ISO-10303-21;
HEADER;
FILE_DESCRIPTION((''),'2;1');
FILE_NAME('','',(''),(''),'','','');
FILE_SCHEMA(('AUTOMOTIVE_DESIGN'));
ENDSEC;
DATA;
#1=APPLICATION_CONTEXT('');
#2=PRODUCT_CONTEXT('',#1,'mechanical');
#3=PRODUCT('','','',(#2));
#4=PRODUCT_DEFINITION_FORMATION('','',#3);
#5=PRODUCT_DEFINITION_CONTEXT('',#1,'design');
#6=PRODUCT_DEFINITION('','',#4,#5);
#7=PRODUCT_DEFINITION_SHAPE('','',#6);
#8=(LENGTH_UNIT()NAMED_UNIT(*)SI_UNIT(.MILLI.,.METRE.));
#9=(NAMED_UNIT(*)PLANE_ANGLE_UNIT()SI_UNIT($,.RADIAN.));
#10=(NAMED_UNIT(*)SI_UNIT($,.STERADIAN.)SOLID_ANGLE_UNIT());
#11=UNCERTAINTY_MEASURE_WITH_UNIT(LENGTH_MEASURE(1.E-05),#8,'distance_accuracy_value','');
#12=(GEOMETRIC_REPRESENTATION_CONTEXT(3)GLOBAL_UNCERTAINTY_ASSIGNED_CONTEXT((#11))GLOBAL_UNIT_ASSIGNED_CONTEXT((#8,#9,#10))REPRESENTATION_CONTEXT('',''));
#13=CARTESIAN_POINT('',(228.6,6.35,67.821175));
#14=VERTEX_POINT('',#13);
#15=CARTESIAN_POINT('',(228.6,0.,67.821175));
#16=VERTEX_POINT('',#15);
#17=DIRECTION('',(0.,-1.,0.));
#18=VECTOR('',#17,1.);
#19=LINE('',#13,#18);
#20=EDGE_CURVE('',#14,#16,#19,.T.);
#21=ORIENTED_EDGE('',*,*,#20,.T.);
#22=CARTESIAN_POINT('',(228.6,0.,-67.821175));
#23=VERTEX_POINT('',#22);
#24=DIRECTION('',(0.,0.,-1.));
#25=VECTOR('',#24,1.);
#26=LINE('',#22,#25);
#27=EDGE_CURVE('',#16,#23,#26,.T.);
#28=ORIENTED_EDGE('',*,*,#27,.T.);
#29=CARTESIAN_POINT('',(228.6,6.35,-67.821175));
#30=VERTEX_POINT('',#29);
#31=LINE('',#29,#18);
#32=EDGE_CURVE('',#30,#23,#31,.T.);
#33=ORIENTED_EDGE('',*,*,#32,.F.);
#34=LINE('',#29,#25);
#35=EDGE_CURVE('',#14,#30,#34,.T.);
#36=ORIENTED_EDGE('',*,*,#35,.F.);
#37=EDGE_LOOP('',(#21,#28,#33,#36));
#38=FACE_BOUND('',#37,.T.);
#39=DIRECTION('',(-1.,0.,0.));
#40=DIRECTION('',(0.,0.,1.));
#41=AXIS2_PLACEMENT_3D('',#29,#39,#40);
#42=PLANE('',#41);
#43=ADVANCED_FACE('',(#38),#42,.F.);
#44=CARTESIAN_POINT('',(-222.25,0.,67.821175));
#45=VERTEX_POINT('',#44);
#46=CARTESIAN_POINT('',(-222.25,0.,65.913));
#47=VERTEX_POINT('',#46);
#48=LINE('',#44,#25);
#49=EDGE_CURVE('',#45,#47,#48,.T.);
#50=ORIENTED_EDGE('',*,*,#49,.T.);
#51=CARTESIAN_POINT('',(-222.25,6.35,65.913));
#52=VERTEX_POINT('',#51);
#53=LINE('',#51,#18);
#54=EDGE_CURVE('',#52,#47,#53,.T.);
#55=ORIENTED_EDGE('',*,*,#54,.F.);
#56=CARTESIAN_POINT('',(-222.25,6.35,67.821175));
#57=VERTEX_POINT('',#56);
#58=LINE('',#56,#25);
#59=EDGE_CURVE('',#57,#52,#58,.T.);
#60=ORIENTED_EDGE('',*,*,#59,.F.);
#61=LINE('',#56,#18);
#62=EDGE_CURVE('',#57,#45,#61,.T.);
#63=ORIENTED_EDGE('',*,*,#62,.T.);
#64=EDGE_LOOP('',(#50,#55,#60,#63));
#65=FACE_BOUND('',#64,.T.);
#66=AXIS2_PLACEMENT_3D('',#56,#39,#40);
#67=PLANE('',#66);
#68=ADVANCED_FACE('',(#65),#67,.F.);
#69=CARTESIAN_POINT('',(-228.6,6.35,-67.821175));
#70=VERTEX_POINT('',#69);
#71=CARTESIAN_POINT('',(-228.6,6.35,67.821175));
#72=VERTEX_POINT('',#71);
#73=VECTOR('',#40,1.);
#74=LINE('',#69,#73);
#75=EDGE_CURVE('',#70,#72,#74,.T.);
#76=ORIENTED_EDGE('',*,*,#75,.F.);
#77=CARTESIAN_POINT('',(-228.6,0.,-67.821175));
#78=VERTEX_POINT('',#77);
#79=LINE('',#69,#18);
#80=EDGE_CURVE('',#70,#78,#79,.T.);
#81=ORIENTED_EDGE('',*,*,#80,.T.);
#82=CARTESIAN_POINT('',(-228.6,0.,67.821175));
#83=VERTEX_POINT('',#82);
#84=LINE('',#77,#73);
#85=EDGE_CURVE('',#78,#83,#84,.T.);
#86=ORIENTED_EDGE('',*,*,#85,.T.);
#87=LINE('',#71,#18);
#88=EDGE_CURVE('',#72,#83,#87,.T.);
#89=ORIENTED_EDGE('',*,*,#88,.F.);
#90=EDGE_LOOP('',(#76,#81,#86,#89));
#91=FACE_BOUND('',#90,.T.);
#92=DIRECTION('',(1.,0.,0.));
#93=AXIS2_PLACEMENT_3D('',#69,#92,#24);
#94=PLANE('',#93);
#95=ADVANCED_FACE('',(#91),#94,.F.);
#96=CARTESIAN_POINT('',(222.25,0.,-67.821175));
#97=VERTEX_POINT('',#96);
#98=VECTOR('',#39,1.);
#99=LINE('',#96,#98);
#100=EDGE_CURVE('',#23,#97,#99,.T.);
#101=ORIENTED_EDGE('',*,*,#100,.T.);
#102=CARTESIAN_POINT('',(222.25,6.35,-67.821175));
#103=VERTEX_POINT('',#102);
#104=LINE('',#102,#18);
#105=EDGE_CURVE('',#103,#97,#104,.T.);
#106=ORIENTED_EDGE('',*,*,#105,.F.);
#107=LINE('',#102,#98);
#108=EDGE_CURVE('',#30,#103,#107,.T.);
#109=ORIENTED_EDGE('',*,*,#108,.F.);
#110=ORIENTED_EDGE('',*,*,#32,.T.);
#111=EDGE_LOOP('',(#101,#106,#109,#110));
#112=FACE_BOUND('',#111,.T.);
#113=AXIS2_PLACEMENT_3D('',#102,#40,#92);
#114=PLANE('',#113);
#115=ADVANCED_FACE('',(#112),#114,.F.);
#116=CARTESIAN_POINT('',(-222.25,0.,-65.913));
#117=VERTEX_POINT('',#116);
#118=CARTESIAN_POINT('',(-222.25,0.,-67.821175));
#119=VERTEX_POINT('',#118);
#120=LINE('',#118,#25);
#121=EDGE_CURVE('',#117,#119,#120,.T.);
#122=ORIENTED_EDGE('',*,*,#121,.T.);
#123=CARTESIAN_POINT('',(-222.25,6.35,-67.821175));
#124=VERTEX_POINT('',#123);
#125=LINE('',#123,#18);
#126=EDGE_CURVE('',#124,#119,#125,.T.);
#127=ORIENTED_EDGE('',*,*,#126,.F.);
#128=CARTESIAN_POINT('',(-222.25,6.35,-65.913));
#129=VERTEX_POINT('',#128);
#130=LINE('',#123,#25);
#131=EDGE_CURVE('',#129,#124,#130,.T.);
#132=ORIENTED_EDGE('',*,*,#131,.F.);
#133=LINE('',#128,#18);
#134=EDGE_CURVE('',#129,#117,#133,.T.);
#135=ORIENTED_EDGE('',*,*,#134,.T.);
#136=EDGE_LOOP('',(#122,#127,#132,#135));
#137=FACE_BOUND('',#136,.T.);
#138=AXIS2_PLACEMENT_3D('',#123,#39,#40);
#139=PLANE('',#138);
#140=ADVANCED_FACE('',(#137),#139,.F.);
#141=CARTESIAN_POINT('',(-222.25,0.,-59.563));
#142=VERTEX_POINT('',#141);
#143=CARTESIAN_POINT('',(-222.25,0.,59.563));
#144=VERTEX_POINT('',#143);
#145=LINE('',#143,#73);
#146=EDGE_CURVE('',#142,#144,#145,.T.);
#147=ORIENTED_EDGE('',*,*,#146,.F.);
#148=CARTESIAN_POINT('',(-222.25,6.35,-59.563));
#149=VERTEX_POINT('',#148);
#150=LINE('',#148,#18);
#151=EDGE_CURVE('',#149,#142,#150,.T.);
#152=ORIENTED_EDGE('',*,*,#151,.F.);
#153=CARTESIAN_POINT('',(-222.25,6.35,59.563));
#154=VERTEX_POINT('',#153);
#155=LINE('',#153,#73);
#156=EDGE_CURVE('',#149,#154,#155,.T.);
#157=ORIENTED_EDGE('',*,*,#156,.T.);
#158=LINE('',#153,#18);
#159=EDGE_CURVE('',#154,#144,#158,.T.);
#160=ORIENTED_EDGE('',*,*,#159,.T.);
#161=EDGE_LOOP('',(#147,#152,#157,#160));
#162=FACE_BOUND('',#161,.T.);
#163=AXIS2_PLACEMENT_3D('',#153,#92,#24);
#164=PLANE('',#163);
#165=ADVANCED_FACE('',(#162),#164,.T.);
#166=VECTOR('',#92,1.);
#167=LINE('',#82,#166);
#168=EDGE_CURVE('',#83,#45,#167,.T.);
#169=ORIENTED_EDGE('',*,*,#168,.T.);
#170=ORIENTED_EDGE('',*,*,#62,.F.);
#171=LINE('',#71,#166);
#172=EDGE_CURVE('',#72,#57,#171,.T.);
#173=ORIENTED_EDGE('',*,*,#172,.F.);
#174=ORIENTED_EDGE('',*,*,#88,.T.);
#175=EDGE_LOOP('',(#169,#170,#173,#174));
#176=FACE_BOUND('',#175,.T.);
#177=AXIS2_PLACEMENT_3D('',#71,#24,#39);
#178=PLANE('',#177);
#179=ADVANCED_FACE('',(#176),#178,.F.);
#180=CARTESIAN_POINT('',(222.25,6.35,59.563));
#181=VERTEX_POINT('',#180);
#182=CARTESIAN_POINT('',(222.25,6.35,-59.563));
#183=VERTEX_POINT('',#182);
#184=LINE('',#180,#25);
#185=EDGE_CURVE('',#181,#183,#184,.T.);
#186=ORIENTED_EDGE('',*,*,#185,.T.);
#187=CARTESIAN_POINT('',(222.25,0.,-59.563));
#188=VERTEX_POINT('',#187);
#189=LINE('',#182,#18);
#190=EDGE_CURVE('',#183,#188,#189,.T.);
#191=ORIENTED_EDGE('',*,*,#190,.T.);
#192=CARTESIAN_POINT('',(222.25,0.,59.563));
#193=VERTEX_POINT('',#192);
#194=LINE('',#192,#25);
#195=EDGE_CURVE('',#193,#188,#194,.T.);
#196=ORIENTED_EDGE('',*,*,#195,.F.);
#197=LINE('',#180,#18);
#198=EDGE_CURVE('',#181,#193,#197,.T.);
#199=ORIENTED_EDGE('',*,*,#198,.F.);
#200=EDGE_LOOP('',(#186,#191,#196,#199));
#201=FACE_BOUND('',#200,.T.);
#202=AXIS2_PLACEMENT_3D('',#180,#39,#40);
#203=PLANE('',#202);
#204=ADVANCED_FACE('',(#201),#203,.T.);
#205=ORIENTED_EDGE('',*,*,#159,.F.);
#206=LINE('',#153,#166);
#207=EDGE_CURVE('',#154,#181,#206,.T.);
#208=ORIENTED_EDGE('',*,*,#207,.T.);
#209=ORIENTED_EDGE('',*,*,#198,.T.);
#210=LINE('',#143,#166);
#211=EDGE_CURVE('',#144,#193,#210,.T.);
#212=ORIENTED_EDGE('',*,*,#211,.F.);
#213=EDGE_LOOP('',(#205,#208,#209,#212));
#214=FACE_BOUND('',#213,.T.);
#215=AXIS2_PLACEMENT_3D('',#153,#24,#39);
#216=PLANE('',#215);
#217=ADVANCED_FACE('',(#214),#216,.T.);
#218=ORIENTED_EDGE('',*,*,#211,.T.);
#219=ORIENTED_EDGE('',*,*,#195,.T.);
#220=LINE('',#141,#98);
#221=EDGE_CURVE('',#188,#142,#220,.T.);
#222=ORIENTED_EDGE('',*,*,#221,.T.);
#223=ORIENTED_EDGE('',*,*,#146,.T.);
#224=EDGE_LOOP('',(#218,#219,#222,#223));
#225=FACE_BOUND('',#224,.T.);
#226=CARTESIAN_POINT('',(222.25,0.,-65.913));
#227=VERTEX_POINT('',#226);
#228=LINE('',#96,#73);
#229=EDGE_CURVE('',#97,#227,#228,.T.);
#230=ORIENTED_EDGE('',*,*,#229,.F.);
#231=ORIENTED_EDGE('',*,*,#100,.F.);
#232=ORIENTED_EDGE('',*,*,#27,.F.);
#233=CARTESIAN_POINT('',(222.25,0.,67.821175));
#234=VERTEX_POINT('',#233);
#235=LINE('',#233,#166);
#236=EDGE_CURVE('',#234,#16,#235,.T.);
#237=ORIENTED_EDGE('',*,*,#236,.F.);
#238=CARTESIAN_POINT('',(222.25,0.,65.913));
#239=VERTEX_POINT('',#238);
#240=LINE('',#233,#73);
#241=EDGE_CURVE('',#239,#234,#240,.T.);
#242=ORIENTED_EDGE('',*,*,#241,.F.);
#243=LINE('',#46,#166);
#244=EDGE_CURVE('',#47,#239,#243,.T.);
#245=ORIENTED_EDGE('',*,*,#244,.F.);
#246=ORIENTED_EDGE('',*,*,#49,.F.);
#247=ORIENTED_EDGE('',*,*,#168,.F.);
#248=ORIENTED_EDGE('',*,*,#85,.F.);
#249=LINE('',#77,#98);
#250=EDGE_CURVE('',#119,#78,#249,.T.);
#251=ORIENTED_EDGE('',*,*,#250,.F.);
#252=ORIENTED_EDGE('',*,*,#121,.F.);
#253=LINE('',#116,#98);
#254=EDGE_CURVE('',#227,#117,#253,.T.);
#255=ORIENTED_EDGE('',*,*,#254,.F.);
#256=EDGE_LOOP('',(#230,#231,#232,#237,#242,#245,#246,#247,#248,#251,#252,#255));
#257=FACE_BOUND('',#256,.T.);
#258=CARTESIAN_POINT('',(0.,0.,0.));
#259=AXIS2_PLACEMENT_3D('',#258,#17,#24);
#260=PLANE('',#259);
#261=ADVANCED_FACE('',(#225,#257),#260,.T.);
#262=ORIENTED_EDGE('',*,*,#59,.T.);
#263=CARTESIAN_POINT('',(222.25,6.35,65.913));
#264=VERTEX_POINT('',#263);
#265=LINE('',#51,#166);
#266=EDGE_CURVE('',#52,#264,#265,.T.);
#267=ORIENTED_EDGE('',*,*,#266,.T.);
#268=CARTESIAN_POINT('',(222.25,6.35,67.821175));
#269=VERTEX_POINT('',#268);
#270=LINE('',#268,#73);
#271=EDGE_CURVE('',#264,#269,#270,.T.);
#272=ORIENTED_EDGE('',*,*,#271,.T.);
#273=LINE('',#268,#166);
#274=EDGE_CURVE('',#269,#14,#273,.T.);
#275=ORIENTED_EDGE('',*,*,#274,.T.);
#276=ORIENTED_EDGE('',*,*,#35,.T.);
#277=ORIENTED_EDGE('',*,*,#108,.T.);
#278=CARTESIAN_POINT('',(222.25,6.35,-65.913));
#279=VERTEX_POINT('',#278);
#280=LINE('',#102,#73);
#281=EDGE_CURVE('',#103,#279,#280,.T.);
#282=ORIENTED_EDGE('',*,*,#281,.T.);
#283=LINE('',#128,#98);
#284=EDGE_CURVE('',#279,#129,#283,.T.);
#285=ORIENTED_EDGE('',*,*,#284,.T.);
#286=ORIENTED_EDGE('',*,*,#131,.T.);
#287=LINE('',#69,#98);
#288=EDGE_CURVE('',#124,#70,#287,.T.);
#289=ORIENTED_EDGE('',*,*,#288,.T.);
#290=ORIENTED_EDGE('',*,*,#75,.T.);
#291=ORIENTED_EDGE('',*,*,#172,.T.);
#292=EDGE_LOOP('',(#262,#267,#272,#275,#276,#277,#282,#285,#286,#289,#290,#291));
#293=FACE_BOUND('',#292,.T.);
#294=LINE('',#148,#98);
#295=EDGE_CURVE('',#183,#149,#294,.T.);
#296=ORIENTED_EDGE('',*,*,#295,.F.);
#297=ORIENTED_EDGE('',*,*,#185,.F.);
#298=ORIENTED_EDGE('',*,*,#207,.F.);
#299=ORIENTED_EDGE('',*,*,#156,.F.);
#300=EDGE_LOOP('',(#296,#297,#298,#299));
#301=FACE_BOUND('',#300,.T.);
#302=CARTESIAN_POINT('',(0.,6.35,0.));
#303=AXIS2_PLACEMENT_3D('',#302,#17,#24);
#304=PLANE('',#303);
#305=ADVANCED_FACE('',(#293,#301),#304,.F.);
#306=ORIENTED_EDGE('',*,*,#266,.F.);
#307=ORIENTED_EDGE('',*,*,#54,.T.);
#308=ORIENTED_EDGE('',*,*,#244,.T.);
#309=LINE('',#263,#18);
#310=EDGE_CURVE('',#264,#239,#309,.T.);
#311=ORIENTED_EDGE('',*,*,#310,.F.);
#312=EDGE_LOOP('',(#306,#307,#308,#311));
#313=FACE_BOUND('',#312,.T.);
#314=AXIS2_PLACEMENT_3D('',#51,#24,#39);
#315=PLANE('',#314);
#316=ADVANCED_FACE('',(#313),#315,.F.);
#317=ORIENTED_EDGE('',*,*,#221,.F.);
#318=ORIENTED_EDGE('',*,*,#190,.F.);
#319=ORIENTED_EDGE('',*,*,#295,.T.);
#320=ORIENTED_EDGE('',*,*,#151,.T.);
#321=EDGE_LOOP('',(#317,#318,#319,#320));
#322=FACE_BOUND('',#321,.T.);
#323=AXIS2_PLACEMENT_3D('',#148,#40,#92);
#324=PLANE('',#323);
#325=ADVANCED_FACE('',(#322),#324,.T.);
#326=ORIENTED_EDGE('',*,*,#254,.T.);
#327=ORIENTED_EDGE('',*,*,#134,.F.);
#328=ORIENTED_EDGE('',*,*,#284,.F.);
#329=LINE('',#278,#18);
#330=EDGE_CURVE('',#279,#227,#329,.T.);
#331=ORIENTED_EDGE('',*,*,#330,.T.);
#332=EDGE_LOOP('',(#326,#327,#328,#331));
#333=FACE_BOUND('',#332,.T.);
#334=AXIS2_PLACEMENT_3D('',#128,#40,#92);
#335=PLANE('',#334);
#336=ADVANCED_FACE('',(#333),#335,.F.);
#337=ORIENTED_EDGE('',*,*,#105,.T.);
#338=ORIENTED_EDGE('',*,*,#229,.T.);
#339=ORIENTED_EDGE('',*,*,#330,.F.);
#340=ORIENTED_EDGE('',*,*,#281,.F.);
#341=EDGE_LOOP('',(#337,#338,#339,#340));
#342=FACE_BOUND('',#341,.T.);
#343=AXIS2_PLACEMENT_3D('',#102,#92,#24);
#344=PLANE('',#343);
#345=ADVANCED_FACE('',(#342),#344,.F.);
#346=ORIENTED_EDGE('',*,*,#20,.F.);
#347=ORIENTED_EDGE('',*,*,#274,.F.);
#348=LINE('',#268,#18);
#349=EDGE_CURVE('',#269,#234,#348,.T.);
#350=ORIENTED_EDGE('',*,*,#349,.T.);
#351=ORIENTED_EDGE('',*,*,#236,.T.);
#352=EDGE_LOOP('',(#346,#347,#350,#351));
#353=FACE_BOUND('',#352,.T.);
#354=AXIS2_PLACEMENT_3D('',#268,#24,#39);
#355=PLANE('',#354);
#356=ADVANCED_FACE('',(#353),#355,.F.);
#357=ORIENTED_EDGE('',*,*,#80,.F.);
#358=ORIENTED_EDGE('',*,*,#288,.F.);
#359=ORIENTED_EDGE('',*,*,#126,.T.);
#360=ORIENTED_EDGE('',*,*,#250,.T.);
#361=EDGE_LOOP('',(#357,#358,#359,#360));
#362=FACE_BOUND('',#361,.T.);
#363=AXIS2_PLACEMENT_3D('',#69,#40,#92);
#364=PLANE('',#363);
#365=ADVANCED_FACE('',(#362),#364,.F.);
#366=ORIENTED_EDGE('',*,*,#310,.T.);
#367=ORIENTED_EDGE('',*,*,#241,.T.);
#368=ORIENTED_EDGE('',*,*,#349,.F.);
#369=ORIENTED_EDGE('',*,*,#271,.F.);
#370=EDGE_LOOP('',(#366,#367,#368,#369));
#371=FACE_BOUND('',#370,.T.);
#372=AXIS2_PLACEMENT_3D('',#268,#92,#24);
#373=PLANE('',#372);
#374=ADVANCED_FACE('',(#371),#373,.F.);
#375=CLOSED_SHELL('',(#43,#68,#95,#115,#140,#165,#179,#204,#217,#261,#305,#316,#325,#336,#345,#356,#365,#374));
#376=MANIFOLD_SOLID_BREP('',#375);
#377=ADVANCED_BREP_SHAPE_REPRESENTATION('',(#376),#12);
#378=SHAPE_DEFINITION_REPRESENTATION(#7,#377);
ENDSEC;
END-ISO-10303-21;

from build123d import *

# Parameters (mm, degrees)
SKETCH1_W           = 444.5
SKETCH1_H           = 119.126
BOSS_EXTRUDE1_DEPTH = 6.35


with BuildPart() as part:
    # Sketch1 → Boss-Extrude1 (new body)
    with BuildSketch(Plane(origin=(0, 0, 0), x_dir=(1, 0, 0), z_dir=(0, 1, 0))):
        Polygon((222.25, 67.821175), (228.6, 67.821175), (228.6, -67.821175), (222.25, -67.821175), (222.25, -65.913), (-222.25, -65.913), (-222.25, -67.821175), (-228.6, -67.821175), (-228.6, 67.821175), (-222.25, 67.821175), (-222.25, 65.913), (222.25, 65.913), align=None)
        Rectangle(SKETCH1_W, SKETCH1_H, mode=Mode.SUBTRACT)
    extrude(amount=BOSS_EXTRUDE1_DEPTH)


solid = part.part
